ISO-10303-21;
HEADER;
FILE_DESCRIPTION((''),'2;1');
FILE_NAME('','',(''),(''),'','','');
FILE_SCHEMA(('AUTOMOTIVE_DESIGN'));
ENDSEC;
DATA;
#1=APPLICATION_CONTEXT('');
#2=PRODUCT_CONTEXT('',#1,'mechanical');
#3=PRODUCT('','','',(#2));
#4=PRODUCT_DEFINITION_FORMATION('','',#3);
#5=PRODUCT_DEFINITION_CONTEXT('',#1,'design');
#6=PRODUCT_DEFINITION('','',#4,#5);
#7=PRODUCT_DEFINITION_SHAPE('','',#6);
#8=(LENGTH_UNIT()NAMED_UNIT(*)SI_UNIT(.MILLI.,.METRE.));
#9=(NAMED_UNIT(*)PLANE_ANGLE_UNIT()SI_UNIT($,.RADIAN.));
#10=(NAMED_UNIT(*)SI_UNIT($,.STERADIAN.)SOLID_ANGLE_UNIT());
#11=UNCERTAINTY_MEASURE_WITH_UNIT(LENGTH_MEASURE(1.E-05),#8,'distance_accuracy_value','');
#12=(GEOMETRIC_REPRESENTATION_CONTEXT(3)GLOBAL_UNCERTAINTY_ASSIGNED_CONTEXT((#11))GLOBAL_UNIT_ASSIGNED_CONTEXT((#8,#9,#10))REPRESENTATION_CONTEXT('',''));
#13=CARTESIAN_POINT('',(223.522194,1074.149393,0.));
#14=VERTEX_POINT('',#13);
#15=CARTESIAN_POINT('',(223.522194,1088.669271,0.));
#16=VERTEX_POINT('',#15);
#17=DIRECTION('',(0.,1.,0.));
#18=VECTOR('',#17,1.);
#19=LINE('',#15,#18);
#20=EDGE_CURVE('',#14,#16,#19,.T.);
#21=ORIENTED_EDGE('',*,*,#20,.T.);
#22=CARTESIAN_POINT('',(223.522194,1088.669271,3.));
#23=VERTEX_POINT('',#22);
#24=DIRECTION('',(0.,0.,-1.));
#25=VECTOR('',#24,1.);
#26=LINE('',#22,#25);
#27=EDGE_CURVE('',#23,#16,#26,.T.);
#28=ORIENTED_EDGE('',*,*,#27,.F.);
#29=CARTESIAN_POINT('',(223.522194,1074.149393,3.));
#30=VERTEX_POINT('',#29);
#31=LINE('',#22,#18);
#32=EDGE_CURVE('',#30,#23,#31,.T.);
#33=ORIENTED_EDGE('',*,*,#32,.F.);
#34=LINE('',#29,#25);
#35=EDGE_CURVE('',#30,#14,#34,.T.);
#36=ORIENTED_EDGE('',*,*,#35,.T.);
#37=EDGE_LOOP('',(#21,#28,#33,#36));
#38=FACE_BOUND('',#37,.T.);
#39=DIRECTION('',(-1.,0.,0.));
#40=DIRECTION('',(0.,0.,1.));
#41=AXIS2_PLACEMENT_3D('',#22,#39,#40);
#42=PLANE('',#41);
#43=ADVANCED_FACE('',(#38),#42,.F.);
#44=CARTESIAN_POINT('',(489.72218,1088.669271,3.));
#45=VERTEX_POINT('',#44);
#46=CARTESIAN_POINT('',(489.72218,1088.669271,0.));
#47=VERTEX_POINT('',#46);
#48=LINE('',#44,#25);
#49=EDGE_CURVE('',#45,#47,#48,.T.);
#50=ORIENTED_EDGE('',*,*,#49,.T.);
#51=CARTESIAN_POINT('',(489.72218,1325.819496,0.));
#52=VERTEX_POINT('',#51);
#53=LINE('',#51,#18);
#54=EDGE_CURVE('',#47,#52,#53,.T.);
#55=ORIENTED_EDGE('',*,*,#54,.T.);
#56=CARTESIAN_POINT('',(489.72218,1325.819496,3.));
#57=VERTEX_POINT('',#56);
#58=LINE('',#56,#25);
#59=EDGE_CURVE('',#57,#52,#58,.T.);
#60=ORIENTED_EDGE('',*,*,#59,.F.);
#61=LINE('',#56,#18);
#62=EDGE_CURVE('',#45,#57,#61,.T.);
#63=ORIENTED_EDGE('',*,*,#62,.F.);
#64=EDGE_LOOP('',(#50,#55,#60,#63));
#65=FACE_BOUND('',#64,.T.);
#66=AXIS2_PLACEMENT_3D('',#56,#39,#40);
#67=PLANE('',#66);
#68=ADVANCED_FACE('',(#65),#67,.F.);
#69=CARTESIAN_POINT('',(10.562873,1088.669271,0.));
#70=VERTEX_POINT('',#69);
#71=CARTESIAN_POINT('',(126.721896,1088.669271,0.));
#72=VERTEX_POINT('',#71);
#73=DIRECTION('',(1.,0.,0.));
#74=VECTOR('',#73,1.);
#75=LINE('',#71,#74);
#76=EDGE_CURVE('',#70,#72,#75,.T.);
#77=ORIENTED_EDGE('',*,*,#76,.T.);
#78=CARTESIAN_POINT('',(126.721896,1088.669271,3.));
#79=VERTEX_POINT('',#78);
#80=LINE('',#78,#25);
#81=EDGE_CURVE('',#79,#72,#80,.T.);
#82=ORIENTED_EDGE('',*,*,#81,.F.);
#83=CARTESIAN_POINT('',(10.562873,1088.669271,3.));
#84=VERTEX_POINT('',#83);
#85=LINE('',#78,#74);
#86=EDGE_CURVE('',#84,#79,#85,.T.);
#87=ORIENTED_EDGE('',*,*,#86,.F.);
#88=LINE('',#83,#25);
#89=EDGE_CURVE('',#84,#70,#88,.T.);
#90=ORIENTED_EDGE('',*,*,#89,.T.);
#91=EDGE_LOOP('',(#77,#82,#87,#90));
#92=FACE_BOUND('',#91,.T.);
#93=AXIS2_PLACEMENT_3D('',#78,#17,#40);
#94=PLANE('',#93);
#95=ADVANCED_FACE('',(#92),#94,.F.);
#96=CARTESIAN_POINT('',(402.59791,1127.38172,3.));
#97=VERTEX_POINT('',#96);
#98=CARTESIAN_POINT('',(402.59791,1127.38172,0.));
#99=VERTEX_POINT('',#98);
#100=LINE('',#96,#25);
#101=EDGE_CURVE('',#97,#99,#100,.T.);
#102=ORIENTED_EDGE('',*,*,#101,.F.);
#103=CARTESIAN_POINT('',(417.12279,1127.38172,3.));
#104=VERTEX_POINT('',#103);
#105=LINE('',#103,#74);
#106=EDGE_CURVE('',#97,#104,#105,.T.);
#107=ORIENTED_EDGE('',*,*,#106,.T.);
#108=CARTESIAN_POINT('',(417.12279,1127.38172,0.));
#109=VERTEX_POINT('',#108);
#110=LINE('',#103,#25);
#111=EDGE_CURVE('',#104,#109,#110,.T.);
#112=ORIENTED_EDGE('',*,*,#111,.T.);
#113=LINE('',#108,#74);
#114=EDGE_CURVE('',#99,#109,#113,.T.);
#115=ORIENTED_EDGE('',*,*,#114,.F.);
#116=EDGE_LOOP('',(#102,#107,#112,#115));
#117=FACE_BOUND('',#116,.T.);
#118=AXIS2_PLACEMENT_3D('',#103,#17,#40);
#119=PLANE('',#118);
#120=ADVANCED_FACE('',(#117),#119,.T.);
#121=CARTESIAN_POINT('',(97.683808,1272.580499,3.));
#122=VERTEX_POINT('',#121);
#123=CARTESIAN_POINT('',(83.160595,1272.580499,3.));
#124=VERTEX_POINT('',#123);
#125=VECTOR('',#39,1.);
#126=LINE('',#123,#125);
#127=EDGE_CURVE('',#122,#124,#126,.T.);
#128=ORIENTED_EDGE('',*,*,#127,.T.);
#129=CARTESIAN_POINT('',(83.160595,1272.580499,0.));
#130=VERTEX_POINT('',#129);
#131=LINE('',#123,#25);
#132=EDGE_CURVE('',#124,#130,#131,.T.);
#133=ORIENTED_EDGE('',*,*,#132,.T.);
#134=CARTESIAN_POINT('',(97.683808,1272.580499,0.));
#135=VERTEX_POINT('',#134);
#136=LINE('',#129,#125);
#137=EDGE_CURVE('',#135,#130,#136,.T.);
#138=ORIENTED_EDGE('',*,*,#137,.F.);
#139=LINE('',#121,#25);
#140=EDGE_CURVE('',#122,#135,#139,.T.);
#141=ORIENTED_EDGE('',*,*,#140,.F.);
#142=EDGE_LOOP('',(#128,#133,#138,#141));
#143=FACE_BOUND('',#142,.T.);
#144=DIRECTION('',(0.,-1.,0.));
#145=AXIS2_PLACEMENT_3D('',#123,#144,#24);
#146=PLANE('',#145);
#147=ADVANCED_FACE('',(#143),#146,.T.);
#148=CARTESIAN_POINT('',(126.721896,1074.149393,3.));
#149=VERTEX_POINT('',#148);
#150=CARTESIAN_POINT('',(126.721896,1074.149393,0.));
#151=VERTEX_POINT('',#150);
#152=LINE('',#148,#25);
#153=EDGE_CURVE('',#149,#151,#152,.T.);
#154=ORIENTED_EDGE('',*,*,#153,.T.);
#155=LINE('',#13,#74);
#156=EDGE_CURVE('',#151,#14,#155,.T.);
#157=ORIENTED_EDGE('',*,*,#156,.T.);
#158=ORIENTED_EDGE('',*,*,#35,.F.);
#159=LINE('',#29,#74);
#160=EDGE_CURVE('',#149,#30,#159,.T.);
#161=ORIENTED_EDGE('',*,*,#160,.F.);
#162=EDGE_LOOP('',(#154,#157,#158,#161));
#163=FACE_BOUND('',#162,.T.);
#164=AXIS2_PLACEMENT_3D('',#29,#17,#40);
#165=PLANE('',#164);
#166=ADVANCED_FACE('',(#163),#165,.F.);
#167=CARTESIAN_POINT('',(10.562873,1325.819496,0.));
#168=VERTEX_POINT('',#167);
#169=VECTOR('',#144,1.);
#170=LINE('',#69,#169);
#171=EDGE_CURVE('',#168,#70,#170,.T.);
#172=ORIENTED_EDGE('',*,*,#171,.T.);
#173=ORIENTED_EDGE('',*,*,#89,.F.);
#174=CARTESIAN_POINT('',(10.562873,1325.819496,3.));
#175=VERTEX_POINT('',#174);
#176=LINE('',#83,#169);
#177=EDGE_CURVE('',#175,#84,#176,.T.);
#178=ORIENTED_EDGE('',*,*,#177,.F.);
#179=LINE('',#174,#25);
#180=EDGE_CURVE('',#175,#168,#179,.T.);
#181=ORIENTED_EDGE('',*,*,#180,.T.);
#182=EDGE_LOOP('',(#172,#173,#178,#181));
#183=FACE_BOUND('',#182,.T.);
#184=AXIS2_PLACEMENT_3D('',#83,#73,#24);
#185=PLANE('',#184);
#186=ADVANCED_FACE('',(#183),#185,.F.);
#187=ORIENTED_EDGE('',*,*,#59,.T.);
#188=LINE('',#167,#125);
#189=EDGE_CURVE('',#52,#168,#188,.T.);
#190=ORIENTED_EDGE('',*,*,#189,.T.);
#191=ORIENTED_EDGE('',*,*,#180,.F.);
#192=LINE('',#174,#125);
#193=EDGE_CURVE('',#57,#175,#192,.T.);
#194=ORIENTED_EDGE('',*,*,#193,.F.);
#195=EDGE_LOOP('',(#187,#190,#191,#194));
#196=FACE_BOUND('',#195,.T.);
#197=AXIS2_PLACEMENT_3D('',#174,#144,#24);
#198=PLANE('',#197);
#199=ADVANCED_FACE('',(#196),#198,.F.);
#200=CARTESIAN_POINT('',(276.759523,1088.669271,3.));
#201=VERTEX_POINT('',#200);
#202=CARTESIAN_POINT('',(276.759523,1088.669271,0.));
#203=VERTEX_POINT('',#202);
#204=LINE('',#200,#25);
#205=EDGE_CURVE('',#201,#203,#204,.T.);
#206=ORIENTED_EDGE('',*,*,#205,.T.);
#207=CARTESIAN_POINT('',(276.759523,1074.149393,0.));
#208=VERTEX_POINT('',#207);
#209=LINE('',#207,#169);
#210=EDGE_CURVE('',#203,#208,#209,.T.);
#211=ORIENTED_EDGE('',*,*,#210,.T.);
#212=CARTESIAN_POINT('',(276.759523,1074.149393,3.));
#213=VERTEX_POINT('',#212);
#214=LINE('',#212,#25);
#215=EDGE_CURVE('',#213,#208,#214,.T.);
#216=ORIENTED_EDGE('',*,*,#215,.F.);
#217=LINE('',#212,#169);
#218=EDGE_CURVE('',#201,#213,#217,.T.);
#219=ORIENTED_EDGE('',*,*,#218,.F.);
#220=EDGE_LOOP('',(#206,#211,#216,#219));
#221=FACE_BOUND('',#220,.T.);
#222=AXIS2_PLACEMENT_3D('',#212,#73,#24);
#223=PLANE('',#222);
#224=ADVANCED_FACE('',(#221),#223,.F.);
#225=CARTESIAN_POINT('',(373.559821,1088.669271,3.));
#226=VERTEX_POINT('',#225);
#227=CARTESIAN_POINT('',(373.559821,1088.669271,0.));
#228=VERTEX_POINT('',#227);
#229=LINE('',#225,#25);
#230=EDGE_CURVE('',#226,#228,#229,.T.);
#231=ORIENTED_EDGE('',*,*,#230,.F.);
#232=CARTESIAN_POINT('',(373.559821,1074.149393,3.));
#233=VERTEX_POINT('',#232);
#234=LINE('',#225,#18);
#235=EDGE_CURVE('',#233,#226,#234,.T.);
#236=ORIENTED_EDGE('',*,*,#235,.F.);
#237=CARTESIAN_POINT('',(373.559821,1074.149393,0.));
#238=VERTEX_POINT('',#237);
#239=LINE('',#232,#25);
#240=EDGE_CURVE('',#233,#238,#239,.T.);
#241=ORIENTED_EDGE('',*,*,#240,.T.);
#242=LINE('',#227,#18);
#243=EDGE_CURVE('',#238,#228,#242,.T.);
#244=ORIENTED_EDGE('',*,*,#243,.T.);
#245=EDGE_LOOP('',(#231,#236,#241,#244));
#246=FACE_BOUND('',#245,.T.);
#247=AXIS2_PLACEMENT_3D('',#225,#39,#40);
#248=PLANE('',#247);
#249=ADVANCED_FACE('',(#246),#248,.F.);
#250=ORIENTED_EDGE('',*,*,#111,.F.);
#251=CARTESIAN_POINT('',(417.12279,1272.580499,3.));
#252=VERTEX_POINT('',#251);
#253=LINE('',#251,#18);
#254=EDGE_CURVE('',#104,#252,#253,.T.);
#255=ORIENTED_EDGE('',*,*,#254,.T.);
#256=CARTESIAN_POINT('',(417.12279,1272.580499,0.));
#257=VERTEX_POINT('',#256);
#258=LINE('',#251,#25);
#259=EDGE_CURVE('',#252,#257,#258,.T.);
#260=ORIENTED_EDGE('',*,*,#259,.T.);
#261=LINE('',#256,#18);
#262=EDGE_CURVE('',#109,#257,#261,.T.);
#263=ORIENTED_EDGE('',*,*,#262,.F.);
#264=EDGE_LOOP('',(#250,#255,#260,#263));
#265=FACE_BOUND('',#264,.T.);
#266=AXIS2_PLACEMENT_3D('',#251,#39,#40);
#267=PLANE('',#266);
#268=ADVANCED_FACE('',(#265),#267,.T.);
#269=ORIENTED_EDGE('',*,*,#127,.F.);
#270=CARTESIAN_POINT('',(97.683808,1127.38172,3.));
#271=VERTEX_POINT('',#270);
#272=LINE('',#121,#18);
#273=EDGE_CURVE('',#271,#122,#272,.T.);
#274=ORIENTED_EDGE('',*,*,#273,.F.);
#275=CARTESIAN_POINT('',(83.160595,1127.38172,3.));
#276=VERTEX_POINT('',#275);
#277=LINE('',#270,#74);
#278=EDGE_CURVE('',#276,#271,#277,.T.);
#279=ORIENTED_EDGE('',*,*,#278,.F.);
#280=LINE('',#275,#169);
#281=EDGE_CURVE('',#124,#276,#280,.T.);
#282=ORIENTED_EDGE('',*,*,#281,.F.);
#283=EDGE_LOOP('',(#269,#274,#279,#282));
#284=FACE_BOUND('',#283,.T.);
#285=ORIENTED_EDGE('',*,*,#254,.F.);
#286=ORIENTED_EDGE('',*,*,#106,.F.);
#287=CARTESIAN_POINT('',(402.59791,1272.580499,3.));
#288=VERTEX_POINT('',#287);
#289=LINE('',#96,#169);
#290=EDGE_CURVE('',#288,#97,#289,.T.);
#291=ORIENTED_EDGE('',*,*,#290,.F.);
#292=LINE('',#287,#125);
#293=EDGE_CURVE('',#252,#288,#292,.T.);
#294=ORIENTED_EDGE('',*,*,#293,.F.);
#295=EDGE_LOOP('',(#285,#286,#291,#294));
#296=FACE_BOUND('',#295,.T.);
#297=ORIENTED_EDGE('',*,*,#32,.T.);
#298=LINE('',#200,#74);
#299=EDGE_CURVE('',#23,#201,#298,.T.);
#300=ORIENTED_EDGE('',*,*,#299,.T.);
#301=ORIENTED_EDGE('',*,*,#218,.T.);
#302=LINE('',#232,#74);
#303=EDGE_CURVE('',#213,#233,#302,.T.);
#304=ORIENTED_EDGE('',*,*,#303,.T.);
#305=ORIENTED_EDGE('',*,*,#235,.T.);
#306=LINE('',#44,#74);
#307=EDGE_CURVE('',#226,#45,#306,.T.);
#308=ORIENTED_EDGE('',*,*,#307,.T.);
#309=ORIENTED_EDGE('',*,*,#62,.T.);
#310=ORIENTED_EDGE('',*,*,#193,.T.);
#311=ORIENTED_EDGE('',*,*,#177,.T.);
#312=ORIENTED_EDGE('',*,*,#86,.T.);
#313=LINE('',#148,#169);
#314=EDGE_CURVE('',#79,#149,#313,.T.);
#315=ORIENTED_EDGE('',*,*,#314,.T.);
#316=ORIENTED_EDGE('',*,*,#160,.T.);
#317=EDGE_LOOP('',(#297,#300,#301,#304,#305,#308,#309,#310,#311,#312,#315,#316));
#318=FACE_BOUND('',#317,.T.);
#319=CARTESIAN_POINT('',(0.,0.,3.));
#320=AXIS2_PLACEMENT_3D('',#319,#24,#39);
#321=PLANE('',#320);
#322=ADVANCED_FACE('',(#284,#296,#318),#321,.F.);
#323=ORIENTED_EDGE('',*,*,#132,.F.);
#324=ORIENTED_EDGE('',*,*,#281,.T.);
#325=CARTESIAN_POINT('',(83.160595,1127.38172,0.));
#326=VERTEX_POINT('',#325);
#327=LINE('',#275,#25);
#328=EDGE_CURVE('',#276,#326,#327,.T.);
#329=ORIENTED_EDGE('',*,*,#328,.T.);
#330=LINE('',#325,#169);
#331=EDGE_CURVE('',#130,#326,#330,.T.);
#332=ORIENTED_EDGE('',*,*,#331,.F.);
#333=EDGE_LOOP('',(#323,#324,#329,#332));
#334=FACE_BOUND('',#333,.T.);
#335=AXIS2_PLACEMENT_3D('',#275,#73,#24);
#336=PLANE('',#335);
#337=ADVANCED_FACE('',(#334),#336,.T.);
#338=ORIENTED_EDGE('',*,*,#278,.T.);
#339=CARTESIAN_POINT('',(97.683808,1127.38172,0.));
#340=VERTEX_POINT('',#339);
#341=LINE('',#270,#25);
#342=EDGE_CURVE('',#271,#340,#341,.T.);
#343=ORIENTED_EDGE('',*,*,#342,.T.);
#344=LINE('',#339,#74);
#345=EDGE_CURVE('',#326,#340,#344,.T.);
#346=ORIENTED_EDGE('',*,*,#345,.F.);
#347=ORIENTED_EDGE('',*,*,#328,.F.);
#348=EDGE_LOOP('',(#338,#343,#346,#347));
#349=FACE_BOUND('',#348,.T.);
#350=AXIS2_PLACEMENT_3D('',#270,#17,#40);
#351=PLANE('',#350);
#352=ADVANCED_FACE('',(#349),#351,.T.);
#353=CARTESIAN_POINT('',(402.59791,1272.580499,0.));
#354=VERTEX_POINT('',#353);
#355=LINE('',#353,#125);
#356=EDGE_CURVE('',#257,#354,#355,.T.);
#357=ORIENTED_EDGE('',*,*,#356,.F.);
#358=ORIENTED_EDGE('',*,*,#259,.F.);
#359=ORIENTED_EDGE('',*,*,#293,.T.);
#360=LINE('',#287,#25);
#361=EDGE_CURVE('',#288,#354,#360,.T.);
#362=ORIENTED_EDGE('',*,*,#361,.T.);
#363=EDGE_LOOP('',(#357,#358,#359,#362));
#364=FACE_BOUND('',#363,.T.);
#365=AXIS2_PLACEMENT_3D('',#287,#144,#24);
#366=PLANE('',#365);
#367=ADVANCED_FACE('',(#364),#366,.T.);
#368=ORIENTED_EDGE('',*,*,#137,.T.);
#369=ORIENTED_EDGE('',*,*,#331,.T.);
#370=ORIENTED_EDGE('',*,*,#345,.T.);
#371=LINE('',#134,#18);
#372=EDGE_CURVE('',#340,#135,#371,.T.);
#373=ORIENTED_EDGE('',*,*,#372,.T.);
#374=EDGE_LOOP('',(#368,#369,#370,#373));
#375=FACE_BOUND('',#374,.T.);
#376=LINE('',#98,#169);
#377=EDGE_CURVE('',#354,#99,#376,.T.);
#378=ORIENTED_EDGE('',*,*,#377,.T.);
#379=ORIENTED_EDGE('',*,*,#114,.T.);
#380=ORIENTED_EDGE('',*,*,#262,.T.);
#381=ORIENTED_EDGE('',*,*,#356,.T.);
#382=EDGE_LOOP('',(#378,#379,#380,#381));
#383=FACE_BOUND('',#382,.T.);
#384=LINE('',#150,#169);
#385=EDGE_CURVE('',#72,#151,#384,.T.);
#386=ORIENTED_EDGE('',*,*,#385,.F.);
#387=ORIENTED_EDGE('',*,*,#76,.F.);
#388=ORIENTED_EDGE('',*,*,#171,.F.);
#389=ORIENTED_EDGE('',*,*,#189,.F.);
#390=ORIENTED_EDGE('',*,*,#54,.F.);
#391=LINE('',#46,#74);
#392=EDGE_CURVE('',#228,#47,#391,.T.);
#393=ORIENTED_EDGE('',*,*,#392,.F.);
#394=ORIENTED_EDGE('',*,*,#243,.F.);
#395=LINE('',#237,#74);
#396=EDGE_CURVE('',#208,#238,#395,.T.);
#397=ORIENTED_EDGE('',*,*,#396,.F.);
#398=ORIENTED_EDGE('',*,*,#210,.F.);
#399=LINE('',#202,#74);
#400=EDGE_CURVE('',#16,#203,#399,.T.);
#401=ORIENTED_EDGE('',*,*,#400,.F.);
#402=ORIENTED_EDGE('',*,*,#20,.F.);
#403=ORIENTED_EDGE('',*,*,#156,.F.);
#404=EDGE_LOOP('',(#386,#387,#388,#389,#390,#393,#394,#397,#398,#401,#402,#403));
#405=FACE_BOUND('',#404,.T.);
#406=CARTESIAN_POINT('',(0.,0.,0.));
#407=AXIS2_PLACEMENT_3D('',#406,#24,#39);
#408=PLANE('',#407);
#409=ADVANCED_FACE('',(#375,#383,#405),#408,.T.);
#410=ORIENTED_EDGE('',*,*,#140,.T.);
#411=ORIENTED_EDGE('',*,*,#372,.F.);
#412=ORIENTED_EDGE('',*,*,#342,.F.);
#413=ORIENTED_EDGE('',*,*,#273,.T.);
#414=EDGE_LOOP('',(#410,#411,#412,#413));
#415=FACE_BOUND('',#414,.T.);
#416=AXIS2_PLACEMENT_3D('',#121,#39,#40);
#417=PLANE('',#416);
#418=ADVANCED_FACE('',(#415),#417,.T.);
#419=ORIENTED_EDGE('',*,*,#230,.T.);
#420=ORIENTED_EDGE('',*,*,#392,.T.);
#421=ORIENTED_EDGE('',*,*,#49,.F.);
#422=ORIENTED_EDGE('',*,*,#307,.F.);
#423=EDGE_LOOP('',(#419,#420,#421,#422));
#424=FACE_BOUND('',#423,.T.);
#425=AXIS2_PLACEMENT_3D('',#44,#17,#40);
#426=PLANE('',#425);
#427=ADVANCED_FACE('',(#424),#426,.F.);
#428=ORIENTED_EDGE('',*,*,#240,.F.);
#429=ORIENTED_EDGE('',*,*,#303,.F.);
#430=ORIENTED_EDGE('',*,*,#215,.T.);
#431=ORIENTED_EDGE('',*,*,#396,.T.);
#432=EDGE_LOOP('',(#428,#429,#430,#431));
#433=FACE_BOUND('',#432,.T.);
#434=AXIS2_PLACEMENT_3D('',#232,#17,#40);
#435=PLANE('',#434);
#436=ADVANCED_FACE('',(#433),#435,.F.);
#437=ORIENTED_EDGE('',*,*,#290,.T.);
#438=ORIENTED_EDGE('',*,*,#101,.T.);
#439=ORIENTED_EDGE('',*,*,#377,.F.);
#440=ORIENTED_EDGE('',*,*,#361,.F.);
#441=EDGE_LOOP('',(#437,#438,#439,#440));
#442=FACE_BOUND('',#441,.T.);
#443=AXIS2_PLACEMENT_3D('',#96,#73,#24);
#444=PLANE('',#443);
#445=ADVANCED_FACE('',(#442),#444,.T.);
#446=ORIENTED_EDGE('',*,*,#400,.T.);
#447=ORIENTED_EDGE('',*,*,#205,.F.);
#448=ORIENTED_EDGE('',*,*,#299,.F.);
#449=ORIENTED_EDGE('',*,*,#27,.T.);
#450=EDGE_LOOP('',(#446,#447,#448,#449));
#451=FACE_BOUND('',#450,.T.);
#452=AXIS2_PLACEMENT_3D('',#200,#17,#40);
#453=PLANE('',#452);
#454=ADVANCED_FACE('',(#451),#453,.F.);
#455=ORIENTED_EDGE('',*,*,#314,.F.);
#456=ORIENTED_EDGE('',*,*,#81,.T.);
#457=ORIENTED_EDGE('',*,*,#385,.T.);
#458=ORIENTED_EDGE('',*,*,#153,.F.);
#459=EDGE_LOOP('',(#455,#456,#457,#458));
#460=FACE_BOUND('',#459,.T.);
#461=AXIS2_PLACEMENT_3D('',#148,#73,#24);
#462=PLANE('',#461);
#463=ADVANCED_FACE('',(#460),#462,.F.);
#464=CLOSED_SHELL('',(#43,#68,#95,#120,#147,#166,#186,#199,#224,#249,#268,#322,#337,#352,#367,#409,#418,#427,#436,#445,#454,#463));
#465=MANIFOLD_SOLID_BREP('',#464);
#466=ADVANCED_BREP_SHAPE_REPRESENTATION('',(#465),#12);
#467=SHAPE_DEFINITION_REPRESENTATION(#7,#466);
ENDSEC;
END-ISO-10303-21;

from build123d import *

# Parameters (mm, degrees)
SKETCH1_W           = 14.524880194
SKETCH1_H           = 145.1987794
SKETCH1_W_2         = 14.523212776
BOSS_EXTRUDE1_DEPTH = 3


with BuildPart() as part:
    # Sketch1 → Boss-Extrude1 (new body)
    with BuildSketch(Plane.XY):
        Polygon((489.722179652, 1088.669270914), (373.559821295, 1088.669270914), (373.559821295, 1074.149392974), (276.759523416, 1074.149392974), (276.759523416, 1088.669270914), (223.522194194, 1088.669270914), (223.522194194, 1074.149392974), (126.721896315, 1074.149392974), (126.721896315, 1088.669270914), (10.562872795, 1088.669270914), (10.562872795, 1325.819495982), (489.722179652, 1325.819495982), align=None)
        with Locations((409.860349854, 1199.981109641)):
            Rectangle(SKETCH1_W, SKETCH1_H, mode=Mode.SUBTRACT)
        with Locations((90.422201465, 1199.981109641)):
            Rectangle(SKETCH1_W_2, SKETCH1_H, mode=Mode.SUBTRACT)
    extrude(amount=BOSS_EXTRUDE1_DEPTH)


solid = part.part
